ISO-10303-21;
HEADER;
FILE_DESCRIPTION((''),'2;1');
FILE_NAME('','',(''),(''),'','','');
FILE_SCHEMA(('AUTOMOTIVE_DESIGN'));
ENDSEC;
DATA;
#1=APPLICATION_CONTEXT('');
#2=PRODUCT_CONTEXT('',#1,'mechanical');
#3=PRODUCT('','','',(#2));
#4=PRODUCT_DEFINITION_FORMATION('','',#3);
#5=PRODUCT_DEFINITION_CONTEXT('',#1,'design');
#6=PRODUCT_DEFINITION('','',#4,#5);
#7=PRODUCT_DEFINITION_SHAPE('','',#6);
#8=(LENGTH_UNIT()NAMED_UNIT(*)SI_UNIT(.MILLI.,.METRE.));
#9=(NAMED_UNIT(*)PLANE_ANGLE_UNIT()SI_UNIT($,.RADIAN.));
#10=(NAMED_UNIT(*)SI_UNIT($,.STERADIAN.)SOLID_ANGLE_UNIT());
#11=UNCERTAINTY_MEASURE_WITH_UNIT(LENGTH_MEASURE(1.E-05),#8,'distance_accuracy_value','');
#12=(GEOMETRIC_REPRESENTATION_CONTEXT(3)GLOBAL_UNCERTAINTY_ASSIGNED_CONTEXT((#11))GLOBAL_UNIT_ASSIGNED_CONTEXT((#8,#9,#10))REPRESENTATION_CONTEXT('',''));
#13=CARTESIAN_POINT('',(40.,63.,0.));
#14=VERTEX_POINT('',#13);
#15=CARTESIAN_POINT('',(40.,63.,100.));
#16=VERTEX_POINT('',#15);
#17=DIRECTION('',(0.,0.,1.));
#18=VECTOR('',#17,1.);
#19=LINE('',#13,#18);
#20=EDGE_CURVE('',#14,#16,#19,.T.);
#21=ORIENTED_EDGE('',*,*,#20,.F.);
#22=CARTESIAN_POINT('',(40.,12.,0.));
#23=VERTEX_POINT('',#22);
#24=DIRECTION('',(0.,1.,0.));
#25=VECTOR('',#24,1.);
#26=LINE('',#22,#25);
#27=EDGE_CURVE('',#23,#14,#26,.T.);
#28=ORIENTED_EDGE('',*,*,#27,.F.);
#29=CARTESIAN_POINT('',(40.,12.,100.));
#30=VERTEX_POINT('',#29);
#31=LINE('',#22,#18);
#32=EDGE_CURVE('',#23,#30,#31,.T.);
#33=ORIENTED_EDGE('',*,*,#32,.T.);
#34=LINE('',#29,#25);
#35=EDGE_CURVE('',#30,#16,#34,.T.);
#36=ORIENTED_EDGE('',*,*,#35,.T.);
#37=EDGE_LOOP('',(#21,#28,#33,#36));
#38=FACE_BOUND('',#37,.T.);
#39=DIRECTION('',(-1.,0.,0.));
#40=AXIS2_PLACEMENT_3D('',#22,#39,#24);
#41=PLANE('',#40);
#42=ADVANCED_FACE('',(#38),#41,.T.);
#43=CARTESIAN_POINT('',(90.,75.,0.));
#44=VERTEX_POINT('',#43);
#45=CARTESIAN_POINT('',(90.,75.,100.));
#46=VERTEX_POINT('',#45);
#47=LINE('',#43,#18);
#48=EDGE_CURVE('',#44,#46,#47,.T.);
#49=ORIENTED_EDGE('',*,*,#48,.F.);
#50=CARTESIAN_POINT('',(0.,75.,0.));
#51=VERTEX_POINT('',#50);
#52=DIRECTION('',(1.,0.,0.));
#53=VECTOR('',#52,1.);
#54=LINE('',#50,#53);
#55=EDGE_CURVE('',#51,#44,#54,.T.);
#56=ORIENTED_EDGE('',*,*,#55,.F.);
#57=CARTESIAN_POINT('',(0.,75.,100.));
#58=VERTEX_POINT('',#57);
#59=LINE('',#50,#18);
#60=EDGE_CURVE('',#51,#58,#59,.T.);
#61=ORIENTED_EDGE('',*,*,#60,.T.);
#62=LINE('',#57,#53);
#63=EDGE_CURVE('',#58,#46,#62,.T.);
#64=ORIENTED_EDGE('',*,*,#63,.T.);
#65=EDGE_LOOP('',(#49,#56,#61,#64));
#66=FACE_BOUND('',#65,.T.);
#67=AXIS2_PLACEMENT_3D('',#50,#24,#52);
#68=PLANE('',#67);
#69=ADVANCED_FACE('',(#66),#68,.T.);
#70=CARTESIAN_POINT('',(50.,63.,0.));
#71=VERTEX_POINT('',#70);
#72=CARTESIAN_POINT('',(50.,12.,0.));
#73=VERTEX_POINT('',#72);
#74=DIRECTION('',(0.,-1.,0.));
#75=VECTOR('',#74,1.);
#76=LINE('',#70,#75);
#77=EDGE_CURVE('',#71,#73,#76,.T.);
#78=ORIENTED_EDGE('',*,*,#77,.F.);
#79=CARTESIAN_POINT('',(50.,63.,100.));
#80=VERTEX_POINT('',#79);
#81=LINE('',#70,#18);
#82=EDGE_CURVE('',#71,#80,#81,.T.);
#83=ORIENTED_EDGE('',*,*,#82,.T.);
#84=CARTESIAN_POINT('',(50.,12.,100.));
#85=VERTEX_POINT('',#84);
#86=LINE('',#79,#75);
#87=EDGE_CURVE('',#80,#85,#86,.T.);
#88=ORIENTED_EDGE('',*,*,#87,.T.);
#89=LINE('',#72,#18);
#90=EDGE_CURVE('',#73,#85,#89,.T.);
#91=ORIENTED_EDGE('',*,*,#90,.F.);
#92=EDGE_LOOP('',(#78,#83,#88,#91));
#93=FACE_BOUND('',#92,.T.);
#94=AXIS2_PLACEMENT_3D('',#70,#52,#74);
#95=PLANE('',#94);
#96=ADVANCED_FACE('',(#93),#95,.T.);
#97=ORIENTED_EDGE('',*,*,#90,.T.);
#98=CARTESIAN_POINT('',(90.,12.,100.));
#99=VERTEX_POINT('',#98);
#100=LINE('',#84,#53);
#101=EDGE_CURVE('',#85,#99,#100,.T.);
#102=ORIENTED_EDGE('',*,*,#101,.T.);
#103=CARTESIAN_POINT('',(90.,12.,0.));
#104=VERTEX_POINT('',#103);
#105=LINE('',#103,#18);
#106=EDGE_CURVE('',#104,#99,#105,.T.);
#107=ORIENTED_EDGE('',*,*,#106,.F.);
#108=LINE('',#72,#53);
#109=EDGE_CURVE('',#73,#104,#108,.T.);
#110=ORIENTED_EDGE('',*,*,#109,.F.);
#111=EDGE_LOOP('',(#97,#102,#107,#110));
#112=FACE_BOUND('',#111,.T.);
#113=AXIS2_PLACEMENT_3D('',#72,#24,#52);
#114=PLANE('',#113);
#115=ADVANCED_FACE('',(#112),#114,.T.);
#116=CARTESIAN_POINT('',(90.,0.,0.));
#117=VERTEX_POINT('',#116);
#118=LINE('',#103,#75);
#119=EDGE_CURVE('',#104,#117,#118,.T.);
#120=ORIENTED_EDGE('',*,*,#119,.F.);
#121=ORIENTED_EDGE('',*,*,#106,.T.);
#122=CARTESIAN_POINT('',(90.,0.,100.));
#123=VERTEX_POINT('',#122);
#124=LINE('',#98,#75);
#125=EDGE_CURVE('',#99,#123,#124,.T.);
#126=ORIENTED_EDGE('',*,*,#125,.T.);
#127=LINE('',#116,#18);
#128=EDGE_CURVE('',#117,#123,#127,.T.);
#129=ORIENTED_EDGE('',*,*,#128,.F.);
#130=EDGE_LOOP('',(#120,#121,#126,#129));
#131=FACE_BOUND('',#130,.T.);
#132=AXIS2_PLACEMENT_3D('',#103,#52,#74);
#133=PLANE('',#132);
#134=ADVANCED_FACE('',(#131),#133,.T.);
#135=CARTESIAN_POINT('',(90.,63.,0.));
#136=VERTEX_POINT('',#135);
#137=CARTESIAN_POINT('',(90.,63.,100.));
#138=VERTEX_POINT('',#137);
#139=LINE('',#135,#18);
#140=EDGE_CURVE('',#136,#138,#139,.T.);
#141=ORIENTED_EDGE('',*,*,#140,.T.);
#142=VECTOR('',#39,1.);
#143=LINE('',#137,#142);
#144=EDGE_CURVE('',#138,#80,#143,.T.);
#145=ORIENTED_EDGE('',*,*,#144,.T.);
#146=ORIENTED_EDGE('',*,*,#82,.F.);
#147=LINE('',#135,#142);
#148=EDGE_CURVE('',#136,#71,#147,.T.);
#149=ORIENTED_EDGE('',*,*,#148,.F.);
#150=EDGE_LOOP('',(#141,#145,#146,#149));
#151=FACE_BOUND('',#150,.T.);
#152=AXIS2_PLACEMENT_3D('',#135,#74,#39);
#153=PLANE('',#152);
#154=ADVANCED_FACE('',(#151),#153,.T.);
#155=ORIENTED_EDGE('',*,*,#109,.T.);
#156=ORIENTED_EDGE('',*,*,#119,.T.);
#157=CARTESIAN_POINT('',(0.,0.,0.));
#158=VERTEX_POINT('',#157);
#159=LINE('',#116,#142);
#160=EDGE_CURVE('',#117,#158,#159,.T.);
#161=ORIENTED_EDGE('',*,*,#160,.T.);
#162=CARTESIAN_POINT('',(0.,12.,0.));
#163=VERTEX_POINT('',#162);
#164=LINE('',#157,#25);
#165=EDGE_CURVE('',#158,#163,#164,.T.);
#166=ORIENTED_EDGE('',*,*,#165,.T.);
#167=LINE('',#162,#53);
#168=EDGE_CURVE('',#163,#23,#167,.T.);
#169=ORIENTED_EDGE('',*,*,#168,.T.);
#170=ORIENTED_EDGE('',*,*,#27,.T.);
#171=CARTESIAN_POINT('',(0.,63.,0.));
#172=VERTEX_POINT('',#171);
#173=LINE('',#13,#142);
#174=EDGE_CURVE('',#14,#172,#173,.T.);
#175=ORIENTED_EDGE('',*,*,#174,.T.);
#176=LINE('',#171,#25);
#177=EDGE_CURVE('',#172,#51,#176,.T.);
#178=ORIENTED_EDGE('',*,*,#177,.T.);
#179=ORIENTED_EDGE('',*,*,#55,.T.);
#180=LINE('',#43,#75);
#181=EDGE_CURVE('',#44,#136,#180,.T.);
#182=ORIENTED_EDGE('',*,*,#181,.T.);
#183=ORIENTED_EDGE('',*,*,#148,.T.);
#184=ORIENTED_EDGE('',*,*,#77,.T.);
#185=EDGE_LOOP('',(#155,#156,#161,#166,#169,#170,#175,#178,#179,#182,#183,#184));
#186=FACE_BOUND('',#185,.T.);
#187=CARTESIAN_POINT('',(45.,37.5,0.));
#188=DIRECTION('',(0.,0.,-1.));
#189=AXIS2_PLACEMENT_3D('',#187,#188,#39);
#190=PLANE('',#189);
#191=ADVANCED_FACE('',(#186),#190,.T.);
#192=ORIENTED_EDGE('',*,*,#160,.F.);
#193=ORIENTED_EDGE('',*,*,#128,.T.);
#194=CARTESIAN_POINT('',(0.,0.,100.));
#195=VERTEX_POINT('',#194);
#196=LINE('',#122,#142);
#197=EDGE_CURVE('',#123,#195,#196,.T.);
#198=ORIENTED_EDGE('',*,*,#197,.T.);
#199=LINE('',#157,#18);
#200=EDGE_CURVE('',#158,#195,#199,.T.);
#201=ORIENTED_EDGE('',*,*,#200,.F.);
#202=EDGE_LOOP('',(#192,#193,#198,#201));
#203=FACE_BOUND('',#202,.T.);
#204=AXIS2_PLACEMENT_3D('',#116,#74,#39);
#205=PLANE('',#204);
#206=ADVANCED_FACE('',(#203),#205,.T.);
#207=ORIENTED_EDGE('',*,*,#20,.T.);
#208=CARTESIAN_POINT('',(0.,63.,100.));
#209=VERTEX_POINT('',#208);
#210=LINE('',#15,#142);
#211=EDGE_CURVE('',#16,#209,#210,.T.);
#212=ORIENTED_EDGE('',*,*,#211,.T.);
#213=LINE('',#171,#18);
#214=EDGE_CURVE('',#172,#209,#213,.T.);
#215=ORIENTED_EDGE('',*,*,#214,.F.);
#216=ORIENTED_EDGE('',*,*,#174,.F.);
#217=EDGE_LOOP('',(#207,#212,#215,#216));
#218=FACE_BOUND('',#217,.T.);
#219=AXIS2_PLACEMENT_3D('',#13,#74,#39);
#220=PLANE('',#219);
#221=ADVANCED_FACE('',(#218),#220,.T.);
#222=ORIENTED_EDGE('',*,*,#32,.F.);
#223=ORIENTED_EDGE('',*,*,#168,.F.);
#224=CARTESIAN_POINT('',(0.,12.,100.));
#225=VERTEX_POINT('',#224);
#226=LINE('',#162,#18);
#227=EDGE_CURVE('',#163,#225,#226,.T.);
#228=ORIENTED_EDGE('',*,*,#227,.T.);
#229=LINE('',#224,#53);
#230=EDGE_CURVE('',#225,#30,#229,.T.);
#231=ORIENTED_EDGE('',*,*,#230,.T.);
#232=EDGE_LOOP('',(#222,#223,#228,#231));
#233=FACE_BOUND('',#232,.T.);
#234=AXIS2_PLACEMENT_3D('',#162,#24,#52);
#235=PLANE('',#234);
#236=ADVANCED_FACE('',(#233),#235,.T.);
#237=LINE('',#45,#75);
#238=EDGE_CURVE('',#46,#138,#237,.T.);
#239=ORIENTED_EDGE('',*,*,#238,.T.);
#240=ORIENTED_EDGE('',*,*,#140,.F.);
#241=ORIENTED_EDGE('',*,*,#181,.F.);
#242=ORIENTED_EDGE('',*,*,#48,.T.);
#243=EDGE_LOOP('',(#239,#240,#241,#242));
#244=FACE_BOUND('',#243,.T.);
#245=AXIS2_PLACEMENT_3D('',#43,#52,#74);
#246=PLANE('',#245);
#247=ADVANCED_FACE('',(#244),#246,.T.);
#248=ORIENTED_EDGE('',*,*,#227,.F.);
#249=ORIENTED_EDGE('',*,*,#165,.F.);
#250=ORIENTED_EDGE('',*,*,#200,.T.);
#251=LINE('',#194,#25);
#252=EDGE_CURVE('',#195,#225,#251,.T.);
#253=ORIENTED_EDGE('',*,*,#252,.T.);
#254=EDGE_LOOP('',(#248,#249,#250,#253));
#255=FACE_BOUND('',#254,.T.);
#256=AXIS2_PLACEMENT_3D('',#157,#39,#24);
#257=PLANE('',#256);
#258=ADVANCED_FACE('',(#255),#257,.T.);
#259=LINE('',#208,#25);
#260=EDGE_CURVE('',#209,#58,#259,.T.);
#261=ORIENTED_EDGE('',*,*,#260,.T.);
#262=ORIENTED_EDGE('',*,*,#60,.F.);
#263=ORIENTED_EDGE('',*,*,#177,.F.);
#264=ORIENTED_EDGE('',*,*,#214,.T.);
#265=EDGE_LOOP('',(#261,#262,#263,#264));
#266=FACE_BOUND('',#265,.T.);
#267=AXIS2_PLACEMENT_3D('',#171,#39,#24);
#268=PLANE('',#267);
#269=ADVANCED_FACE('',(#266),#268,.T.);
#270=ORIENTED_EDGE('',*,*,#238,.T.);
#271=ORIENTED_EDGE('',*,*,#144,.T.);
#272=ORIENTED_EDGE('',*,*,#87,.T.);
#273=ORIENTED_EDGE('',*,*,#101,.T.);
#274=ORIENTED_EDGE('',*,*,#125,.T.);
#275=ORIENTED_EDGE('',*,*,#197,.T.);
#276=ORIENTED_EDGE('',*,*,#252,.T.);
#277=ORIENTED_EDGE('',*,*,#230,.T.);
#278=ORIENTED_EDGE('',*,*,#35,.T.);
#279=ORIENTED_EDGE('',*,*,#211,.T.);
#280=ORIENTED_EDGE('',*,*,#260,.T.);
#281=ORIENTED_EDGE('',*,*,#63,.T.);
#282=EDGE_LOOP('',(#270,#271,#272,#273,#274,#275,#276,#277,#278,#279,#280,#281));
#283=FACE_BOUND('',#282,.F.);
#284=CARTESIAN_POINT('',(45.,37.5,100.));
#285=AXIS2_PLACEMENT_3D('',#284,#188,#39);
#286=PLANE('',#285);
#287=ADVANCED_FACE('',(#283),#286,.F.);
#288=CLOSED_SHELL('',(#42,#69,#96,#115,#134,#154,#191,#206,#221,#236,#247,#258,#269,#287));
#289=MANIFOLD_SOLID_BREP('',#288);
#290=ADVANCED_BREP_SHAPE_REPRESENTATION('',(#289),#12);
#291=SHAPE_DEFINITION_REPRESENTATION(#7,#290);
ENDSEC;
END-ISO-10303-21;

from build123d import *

# Parameters (mm, degrees)
PAD_DEPTH = 100


with BuildPart() as part:
    # Sketch → Pad (new body)
    with BuildSketch(Plane.XY):
        Polygon((0, 75), (90, 75), (90, 63), (50, 63), (50, 12), (90, 12), (90, 0), (0, 0), (0, 12), (40, 12), (40, 63), (0, 63), align=None)
    extrude(amount=PAD_DEPTH)


solid = part.part
